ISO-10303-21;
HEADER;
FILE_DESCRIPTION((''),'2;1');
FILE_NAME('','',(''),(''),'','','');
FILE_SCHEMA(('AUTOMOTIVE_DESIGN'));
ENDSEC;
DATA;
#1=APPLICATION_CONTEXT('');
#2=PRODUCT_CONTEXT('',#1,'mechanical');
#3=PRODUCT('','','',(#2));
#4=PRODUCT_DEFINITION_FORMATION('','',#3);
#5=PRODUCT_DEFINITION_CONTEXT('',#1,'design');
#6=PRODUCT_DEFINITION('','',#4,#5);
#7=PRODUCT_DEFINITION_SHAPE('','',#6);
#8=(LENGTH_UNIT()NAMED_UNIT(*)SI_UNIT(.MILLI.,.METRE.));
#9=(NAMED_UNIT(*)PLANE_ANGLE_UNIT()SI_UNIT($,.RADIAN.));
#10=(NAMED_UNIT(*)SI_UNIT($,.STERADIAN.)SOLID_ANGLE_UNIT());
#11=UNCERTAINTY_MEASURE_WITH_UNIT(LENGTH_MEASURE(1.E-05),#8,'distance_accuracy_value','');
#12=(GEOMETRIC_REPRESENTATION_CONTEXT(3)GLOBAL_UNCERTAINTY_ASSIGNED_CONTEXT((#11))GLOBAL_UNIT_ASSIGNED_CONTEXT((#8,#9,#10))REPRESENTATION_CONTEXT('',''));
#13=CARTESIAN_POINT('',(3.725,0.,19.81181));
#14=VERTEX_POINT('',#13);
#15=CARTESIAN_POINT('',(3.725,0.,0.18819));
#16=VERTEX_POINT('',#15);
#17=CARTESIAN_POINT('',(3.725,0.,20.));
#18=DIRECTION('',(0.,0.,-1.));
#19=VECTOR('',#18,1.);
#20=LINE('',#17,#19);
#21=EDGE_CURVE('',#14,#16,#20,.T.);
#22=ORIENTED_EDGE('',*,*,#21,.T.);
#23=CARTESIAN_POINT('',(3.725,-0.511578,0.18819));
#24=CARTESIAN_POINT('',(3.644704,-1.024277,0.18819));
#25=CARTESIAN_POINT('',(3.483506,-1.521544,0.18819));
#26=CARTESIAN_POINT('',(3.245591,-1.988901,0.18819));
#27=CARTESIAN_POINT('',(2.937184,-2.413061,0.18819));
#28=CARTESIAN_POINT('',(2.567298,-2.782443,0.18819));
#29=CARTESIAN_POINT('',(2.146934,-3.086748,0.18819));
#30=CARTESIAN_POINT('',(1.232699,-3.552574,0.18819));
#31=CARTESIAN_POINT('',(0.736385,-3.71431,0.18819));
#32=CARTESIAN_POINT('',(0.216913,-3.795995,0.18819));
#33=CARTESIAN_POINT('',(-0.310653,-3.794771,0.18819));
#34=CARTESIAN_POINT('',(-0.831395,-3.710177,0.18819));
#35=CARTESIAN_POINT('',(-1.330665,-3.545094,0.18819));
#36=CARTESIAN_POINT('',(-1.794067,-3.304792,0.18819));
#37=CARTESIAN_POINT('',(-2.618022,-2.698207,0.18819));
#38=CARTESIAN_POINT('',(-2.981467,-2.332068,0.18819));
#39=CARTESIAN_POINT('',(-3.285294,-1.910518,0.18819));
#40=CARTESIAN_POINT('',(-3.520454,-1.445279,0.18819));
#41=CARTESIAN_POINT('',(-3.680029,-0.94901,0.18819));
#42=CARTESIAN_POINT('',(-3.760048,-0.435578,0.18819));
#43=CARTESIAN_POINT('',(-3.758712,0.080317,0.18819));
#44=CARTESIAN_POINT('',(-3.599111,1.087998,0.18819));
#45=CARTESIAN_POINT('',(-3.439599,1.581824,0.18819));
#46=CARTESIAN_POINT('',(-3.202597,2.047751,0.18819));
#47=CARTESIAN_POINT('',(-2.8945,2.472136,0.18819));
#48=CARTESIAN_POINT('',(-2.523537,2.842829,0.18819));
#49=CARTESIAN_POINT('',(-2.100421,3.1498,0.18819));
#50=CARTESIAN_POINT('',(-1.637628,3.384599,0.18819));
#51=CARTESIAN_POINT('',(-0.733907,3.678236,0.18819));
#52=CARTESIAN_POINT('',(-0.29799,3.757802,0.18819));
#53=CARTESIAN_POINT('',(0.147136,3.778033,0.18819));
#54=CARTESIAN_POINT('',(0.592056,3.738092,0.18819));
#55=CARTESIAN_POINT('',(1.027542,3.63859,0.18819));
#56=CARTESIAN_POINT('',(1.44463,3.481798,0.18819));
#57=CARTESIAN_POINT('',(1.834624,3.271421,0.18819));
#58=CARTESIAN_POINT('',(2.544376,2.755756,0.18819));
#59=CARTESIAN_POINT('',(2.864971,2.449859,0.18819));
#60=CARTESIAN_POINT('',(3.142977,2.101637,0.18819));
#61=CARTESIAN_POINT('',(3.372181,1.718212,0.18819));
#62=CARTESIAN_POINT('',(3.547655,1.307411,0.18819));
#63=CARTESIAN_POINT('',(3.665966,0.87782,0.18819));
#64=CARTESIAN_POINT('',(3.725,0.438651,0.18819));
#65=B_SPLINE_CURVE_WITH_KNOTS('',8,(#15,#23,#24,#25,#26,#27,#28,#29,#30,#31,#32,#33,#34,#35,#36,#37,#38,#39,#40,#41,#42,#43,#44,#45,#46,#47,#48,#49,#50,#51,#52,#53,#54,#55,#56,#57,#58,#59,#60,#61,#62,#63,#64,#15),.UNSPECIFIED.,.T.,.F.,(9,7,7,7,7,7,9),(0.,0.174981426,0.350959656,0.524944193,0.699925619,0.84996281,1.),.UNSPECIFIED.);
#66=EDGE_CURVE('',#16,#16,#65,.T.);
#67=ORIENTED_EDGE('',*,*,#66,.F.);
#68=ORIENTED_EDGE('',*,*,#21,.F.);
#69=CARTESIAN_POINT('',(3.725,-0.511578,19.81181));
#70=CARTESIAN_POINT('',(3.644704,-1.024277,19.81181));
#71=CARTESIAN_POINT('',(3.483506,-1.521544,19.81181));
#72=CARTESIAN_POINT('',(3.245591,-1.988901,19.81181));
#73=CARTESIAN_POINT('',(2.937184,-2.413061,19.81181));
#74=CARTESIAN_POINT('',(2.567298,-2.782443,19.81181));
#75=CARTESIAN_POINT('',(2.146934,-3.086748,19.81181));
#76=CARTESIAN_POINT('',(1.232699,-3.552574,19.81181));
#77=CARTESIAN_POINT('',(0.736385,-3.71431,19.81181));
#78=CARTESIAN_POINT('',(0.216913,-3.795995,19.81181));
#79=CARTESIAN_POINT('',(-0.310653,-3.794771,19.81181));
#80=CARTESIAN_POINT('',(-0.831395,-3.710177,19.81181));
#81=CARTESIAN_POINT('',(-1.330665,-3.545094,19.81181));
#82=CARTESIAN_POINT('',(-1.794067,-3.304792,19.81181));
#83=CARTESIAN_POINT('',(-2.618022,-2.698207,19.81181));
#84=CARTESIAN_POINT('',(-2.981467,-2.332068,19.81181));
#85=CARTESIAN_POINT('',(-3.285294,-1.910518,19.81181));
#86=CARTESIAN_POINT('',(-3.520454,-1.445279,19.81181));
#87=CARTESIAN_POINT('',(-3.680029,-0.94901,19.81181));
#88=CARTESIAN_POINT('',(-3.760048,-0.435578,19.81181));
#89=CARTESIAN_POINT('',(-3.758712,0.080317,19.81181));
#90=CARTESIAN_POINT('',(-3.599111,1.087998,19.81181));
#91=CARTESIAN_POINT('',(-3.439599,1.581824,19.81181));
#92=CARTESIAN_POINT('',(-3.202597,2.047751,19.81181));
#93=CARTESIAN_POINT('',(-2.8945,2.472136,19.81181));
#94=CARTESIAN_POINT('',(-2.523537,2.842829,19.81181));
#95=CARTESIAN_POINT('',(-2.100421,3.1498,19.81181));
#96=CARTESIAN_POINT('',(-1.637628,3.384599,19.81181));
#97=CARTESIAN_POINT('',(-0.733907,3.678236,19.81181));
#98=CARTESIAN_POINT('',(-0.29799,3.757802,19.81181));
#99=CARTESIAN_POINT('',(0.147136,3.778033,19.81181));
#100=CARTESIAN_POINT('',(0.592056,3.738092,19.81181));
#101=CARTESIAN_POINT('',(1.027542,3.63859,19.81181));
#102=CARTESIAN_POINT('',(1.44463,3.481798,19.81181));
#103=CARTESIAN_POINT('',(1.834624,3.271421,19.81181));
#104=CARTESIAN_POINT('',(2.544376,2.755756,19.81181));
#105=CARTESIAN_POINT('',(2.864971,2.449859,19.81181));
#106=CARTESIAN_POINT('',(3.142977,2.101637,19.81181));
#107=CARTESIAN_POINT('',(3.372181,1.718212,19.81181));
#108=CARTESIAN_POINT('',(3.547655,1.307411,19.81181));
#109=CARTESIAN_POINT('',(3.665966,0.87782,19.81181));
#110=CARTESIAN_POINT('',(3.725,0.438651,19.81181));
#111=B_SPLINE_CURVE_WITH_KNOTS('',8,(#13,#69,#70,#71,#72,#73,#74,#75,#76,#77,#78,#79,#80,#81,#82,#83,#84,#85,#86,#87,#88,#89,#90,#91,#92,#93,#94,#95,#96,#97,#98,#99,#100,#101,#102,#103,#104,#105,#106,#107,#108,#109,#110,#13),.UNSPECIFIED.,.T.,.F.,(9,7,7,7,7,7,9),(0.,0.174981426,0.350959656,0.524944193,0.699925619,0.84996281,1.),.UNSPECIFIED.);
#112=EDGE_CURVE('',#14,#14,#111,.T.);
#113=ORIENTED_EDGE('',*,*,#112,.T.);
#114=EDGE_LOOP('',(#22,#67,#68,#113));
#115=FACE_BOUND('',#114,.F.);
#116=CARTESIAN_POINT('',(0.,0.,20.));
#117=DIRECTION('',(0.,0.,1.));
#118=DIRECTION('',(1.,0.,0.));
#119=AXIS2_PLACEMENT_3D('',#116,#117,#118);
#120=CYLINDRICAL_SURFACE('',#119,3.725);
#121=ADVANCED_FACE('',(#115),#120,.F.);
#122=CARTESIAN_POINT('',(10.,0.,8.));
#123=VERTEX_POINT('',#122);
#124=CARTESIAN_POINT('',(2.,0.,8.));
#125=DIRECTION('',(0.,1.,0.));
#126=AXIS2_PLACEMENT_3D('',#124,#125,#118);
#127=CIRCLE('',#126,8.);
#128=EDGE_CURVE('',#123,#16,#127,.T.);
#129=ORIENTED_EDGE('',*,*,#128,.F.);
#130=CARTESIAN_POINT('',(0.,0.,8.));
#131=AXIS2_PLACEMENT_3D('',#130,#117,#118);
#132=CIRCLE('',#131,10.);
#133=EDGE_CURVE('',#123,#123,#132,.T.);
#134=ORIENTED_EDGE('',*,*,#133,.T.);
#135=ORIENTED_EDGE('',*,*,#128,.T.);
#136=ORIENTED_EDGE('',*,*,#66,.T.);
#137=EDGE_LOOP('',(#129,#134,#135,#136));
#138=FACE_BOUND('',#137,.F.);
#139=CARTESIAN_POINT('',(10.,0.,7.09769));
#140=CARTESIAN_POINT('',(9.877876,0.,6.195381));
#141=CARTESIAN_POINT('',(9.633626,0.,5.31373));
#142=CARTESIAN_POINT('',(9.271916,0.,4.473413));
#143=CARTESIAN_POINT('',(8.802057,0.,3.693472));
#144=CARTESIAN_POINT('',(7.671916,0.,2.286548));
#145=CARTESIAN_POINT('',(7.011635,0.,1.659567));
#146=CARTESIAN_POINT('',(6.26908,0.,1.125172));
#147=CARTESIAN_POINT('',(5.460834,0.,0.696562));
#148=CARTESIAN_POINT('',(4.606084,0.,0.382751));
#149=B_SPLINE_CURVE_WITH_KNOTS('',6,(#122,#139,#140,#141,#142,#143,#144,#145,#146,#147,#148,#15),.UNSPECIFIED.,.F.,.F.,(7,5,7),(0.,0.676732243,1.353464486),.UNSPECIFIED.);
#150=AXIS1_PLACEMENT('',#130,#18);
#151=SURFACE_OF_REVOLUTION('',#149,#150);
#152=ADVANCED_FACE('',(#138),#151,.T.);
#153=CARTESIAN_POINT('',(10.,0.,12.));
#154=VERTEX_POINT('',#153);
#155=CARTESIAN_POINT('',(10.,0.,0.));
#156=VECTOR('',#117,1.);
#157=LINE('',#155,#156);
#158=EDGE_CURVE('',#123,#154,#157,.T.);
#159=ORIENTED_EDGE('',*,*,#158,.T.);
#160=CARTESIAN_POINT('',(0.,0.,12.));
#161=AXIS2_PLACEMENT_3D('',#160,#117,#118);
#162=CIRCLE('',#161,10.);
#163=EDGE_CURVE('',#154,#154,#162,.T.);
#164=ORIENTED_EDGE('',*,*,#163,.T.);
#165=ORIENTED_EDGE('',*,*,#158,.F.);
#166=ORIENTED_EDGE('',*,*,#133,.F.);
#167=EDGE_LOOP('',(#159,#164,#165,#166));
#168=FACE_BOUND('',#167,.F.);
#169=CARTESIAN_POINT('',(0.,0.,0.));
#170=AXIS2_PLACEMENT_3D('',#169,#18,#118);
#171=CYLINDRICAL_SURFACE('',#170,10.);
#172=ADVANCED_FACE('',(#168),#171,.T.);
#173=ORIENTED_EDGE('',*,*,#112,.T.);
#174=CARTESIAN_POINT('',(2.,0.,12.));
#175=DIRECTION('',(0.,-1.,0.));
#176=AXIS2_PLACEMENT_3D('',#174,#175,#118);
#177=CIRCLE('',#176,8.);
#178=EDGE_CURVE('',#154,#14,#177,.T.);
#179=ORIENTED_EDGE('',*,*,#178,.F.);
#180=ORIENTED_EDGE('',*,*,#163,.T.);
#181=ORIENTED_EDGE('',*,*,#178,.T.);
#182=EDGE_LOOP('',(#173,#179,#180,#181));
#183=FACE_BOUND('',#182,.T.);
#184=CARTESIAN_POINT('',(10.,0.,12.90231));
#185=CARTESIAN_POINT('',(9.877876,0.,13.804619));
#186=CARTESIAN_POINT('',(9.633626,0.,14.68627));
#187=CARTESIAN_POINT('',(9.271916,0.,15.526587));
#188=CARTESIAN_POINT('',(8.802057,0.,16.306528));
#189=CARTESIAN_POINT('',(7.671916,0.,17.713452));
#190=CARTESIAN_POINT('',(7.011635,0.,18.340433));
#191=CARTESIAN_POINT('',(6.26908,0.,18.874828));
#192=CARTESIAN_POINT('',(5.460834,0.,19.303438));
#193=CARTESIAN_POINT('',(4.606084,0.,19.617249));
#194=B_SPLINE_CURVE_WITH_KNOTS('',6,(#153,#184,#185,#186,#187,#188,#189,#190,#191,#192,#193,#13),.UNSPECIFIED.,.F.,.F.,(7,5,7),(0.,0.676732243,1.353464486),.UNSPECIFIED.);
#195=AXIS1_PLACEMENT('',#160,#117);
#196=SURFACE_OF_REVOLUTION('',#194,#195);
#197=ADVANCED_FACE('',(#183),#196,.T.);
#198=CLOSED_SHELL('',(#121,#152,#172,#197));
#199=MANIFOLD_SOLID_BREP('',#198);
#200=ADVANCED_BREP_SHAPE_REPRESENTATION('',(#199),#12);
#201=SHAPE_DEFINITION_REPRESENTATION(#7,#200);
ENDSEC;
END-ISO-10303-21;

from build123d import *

# Parameters (mm, degrees)
F0_R     = 10
F1_DEPTH = 20
F2_R     = 8
F3_R     = 3.725
F3_R_2   = 2
F4_DEPTH = 20.1


with BuildPart() as f1:
    # F0 (on Top) → F1 (new body)
    with BuildSketch(Plane.XY):
        Circle(F0_R)
    extrude(amount=F1_DEPTH)

    # F2
    f2_edges = [f1.edges().sort_by_distance(p)[0] for p in [
        (-10, 0, 20),
        (-10, 0, 0),
    ]]
    fillet(f2_edges, radius=F2_R)

    # F3 (on face) → F4 (cut)
    with BuildSketch(Plane.XY.offset(20)):
        Circle(F3_R)
        Circle(F3_R_2, mode=Mode.SUBTRACT)
        Circle(F3_R_2)
    extrude(amount=-F4_DEPTH, mode=Mode.SUBTRACT)


solid = f1.part
